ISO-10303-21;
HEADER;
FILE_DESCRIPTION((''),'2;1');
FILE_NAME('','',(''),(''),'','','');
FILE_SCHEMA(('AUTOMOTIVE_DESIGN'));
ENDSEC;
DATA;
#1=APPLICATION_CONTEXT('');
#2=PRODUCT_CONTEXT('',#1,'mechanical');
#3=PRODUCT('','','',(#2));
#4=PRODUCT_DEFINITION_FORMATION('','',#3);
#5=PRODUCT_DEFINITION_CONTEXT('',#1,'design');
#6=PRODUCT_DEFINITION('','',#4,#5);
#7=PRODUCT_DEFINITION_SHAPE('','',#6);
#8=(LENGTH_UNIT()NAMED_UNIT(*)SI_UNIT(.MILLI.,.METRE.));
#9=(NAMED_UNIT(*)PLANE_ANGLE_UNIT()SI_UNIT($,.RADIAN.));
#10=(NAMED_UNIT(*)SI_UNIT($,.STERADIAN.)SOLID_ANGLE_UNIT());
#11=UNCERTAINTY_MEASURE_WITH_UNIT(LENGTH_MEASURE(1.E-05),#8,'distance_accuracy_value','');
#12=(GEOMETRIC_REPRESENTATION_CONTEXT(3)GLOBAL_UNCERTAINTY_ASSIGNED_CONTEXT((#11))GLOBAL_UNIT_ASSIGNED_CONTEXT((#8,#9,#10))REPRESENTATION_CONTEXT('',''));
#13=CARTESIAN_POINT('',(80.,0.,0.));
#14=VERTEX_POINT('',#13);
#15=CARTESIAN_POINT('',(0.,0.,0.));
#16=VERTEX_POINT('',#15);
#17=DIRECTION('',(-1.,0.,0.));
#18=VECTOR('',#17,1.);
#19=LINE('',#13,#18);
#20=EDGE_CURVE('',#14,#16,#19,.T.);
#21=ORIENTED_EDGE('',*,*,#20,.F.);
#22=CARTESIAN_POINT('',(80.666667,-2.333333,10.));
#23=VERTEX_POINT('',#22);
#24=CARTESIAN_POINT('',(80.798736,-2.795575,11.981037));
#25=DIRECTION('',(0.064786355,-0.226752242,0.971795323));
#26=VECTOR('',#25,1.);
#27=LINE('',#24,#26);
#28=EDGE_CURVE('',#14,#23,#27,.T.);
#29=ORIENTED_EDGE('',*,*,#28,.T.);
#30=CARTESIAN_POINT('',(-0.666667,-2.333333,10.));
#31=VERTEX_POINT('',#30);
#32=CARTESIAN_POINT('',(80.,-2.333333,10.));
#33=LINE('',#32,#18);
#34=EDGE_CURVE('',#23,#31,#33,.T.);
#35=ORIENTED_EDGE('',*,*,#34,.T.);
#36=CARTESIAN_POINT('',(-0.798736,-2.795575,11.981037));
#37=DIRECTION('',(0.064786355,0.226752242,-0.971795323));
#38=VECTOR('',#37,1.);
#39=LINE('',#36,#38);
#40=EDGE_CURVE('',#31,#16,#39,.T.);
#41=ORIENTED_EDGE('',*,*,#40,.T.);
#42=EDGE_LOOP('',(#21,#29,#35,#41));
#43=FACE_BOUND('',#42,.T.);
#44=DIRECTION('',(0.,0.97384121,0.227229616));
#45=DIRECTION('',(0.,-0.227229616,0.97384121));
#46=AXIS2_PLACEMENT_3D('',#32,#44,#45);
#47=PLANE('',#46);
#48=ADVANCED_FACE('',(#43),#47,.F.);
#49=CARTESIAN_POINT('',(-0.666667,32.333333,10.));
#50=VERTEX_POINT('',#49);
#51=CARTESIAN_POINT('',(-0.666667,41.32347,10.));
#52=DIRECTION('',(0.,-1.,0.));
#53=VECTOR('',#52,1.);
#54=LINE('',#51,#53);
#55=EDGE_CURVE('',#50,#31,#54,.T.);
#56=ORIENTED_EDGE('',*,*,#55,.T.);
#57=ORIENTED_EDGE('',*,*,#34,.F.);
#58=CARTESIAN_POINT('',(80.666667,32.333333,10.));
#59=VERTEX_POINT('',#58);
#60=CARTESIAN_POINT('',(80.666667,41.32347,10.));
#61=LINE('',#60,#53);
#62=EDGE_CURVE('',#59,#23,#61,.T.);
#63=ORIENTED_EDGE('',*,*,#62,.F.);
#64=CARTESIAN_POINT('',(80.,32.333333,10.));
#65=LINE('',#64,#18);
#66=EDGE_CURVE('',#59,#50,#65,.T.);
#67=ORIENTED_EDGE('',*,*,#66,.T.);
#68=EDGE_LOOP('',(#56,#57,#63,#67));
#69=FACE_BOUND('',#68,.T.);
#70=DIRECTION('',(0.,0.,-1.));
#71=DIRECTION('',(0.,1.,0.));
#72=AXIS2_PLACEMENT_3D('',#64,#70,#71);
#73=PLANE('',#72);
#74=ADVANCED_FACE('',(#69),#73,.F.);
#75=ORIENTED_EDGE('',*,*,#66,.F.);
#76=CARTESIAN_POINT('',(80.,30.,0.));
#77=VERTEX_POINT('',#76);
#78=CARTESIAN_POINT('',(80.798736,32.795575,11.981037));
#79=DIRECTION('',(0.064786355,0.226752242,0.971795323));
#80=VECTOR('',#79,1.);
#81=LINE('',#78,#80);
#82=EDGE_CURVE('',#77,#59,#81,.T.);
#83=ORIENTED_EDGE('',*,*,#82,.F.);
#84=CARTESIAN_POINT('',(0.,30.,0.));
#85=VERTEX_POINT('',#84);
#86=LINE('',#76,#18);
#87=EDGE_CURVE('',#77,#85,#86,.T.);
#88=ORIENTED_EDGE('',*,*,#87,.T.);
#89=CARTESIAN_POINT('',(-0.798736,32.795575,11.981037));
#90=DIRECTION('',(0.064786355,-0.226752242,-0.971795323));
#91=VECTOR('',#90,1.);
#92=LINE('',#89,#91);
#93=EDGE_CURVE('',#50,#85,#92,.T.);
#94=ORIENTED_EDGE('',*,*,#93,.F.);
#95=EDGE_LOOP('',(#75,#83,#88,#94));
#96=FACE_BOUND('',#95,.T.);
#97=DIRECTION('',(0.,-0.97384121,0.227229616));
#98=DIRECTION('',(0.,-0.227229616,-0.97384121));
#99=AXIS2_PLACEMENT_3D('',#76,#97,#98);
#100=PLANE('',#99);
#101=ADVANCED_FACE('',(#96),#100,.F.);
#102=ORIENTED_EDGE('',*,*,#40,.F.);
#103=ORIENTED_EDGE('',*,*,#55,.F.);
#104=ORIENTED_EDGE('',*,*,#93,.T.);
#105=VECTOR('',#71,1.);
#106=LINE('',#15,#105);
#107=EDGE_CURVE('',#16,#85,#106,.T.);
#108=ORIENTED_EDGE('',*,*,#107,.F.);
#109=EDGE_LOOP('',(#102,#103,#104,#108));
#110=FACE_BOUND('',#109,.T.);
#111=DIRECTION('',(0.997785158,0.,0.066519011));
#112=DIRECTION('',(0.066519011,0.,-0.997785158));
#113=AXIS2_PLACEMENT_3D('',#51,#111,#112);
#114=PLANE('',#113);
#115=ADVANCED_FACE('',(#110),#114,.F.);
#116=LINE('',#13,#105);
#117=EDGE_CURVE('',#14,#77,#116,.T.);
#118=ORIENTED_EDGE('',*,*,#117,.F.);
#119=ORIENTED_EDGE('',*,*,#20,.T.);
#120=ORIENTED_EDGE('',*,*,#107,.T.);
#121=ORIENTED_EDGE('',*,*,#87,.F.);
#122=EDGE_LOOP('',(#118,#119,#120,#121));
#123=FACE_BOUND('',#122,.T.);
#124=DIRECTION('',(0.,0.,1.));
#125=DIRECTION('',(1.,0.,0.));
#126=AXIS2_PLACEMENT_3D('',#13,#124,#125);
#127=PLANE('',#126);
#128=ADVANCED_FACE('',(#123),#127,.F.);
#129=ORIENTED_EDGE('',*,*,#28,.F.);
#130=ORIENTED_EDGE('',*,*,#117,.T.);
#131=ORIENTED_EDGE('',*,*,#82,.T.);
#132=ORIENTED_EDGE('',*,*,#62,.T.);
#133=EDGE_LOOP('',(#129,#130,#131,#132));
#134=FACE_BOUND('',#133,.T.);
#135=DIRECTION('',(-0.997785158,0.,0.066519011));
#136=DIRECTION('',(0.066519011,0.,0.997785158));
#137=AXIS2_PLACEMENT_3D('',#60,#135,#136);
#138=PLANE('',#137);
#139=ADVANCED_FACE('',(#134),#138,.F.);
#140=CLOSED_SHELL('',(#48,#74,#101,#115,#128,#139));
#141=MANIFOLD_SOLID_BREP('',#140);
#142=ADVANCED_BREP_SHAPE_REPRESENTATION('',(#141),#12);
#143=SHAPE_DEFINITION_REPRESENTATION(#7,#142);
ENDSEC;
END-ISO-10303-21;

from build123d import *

# Parameters (mm, degrees)
BOSS_EXTRUDE1_DEPTH             = 80
BOSS_EXTRUDE2_REACH             = 88.865
BOSS_EXTRUDE2_DIRECTION_2_REACH = 88.865


with BuildPart() as part:
    # Sketch2 → Boss-Extrude1 (new body)
    with BuildSketch(Plane(origin=(0, 0, 0), x_dir=(0, 0, -1), z_dir=(1, 0, 0))):
        Polygon((0, 30), (-10, 32.333333333), (-10, -2.333333333), (0, 0), align=None)
    extrude(amount=BOSS_EXTRUDE1_DEPTH)

    # Boss-Extrude2: up to this face of the body (flat: up to its plane)
    boss_extrude2_end = Plane(part.part.faces().sort_by_distance((40, 31.166666667, 5))[0])
    # Sketch4 → Boss-Extrude2 (add, up to the picked face)
    with BuildSketch(Plane(origin=(0, 0, 0), x_dir=(1, 0, 0), z_dir=(0, 1, 0)), mode=Mode.PRIVATE) as boss_extrude2_sk1:
        Polygon((0, 0), (0, -10), (-0.666666667, -10), align=None)
    boss_extrude2_tool1 = split(extrude(boss_extrude2_sk1.sketch, amount=BOSS_EXTRUDE2_REACH, mode=Mode.PRIVATE), bisect_by=boss_extrude2_end, keep=Keep.BOTH, mode=Mode.PRIVATE)
    # Sketch4 → Boss-Extrude2 (add, up to the picked face)
    with BuildSketch(Plane(origin=(0, 0, 0), x_dir=(1, 0, 0), z_dir=(0, 1, 0)), mode=Mode.PRIVATE) as boss_extrude2_sk2:
        Polygon((80.666666667, -10), (80, 0), (80, -10), align=None)
    boss_extrude2_tool2 = split(extrude(boss_extrude2_sk2.sketch, amount=BOSS_EXTRUDE2_REACH, mode=Mode.PRIVATE), bisect_by=boss_extrude2_end, keep=Keep.BOTH, mode=Mode.PRIVATE)
    add(boss_extrude2_tool1.solids().sort_by(Axis((-0.222222, 0, 6.666667), (0, 1, 0)))[0])
    add(boss_extrude2_tool2.solids().sort_by(Axis((80.222222, 0, 6.666667), (0, 1, 0)))[0])

    # Boss-Extrude2 direction 2: up to this face of the body (flat: up to its plane)
    boss_extrude2_direction_2_end = Plane(part.part.faces().sort_by_distance((40, -1.166666667, 5))[0])
    # Sketch4 → Boss-Extrude2 direction 2 (add, up to the picked face)
    with BuildSketch(Plane(origin=(0, 0, 0), x_dir=(1, 0, 0), z_dir=(0, 1, 0)), mode=Mode.PRIVATE) as boss_extrude2_direction_2_sk1:
        Polygon((0, 0), (0, -10), (-0.666666667, -10), align=None)
    boss_extrude2_direction_2_tool1 = split(extrude(boss_extrude2_direction_2_sk1.sketch, amount=-BOSS_EXTRUDE2_DIRECTION_2_REACH, mode=Mode.PRIVATE), bisect_by=boss_extrude2_direction_2_end, keep=Keep.BOTH, mode=Mode.PRIVATE)
    # Sketch4 → Boss-Extrude2 direction 2 (add, up to the picked face)
    with BuildSketch(Plane(origin=(0, 0, 0), x_dir=(1, 0, 0), z_dir=(0, 1, 0)), mode=Mode.PRIVATE) as boss_extrude2_direction_2_sk2:
        Polygon((80.666666667, -10), (80, 0), (80, -10), align=None)
    boss_extrude2_direction_2_tool2 = split(extrude(boss_extrude2_direction_2_sk2.sketch, amount=-BOSS_EXTRUDE2_DIRECTION_2_REACH, mode=Mode.PRIVATE), bisect_by=boss_extrude2_direction_2_end, keep=Keep.BOTH, mode=Mode.PRIVATE)
    add(boss_extrude2_direction_2_tool1.solids().sort_by(Axis((-0.222222, 0, 6.666667), (0, -1, 0)))[0])
    add(boss_extrude2_direction_2_tool2.solids().sort_by(Axis((80.222222, 0, 6.666667), (0, -1, 0)))[0])


solid = part.part
